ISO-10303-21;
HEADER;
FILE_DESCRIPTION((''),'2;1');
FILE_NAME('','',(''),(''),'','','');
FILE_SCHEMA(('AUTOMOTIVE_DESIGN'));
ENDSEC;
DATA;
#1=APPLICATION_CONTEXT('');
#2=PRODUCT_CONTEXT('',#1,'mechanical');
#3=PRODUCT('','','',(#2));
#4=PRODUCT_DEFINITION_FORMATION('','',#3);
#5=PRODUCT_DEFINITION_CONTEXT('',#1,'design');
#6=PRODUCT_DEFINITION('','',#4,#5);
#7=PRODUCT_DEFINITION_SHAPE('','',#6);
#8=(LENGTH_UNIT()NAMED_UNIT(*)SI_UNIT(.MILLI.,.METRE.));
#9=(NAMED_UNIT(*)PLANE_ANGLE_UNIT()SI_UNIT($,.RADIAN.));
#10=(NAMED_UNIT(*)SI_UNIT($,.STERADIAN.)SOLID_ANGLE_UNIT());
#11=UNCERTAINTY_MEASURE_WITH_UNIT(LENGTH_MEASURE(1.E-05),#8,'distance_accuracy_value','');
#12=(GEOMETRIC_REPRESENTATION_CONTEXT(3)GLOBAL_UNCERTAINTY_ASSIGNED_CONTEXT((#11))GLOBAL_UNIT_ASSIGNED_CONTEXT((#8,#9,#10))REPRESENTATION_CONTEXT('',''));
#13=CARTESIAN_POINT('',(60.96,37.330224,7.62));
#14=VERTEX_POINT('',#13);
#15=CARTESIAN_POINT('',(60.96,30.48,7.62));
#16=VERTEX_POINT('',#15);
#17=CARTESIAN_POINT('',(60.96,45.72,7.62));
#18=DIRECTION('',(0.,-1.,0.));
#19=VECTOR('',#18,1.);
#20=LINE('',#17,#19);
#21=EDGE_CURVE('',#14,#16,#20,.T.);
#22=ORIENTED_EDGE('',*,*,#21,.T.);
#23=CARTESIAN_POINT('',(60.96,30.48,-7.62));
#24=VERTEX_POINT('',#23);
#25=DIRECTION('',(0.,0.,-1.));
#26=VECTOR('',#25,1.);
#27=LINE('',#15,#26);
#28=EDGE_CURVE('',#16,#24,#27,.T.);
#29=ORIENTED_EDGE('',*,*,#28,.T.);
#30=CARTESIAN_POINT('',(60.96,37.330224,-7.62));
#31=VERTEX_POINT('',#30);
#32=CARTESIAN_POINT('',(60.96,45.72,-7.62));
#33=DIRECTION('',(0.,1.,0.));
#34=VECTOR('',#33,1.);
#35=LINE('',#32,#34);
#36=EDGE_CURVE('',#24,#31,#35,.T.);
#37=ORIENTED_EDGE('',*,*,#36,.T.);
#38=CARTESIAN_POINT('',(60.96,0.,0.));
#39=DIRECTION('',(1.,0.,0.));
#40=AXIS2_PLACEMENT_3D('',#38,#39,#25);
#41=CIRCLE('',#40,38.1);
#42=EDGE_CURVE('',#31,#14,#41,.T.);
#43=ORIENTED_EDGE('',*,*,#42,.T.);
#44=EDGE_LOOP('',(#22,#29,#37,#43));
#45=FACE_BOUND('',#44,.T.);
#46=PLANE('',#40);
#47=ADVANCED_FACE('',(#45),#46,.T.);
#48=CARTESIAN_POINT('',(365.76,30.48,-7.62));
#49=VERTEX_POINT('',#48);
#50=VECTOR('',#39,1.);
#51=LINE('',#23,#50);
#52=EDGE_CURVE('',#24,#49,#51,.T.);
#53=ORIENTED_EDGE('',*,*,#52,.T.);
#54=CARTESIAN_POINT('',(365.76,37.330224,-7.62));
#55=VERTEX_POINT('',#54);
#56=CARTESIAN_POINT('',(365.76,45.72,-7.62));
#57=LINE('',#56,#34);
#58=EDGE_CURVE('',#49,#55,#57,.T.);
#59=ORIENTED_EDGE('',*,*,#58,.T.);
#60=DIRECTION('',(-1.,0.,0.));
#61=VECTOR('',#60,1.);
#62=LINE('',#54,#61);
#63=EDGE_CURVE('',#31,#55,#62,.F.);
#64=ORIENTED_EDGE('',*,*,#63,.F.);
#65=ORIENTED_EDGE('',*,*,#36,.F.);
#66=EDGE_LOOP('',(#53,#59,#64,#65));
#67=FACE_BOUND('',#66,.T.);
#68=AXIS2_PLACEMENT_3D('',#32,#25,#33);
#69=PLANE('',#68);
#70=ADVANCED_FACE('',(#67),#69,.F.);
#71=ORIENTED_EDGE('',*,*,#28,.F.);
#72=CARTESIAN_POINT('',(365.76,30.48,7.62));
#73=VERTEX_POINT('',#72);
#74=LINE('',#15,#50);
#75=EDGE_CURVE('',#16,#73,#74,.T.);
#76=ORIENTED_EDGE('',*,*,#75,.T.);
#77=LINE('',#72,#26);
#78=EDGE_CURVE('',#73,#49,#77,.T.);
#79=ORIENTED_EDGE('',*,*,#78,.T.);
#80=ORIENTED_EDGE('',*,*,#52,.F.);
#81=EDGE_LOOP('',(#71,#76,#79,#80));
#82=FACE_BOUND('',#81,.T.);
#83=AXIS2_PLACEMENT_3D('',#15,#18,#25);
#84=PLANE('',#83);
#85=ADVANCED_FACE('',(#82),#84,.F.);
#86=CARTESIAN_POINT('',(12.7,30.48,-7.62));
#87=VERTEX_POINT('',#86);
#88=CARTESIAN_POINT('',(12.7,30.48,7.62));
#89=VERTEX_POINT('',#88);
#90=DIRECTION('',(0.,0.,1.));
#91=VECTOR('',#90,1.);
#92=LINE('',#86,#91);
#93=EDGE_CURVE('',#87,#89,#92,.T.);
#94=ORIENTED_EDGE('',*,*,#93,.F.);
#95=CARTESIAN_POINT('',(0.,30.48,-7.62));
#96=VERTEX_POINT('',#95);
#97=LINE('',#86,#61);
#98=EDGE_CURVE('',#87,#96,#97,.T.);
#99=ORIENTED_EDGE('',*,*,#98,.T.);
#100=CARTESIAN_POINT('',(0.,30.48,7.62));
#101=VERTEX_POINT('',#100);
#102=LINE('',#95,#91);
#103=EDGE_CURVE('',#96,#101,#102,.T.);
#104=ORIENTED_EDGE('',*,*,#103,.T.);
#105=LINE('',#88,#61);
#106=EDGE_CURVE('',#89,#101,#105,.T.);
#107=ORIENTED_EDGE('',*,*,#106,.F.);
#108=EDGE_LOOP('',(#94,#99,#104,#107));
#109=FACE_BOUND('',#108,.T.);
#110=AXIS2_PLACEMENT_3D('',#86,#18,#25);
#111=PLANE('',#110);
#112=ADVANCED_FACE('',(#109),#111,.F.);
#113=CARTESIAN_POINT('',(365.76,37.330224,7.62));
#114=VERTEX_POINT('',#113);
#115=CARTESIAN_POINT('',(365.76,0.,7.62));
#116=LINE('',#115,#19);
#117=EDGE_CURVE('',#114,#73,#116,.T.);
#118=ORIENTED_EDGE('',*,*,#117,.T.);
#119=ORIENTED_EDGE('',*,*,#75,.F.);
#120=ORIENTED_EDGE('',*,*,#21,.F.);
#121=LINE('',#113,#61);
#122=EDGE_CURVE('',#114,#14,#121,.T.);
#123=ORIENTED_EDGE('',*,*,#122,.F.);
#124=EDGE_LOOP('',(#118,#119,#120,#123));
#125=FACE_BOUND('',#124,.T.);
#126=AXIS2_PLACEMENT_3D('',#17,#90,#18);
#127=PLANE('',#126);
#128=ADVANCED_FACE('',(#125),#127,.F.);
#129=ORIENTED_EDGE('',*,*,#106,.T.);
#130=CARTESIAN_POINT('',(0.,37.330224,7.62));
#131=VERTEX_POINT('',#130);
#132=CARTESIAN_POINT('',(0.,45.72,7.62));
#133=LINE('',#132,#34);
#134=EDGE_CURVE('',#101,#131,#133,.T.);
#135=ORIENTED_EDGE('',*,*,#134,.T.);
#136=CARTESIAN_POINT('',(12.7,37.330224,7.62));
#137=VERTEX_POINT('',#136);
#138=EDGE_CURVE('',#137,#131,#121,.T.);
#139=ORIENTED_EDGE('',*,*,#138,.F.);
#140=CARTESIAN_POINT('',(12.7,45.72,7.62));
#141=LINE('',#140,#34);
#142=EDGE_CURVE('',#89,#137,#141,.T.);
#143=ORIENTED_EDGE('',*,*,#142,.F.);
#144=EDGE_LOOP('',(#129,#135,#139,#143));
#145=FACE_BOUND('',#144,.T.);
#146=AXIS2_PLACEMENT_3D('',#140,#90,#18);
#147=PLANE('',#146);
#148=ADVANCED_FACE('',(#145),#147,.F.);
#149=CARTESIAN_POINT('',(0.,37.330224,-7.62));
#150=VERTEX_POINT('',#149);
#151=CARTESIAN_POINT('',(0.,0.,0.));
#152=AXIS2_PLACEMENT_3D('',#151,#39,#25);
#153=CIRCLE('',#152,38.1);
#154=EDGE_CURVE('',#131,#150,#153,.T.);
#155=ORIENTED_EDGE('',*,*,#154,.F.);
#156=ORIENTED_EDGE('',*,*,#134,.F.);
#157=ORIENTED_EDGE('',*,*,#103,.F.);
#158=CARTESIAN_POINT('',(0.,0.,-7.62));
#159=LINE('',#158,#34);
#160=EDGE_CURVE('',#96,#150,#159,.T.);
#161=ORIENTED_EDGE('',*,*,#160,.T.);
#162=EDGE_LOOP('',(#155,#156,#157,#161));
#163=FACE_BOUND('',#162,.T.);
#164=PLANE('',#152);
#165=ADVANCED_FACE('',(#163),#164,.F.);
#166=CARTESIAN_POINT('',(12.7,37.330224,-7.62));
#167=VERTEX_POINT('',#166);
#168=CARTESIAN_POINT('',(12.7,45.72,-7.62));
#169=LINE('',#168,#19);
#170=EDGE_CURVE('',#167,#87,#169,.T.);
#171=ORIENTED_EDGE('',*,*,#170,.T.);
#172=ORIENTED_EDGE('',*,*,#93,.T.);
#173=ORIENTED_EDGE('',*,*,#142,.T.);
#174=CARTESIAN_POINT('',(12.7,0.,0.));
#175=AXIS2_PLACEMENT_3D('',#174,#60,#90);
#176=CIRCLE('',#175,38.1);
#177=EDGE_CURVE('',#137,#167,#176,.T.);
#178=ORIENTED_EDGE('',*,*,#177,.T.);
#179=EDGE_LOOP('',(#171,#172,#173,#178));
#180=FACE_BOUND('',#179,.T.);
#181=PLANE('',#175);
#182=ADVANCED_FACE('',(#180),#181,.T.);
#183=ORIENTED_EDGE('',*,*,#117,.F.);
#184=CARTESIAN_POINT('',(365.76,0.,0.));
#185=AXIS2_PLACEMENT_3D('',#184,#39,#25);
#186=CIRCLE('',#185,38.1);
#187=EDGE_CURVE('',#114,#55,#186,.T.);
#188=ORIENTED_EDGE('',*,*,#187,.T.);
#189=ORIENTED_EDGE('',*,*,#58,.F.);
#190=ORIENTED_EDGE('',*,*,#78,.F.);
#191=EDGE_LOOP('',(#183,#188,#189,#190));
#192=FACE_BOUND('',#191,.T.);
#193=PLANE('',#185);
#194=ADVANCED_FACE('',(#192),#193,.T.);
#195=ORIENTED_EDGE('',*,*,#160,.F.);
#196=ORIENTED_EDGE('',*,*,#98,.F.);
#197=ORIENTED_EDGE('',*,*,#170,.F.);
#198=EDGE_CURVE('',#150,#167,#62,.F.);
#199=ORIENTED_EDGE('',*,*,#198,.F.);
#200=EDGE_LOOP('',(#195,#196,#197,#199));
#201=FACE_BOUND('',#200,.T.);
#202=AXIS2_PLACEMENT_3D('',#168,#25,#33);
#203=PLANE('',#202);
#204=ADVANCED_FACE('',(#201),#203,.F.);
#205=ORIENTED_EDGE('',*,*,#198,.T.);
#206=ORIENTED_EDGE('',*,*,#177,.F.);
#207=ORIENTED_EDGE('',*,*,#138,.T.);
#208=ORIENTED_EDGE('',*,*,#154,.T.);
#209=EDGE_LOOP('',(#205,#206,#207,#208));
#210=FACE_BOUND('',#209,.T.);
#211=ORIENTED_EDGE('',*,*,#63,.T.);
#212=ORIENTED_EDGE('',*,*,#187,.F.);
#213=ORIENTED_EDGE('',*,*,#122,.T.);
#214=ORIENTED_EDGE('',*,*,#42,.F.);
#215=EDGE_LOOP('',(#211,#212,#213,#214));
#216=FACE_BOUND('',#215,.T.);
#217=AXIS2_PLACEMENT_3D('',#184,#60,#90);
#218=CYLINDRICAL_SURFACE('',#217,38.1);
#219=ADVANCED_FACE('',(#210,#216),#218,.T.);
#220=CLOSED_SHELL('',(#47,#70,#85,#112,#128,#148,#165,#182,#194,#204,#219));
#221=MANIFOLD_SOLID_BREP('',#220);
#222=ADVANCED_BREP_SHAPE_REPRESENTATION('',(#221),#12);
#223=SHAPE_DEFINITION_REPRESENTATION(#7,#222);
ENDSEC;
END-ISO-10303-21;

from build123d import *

# Parameters (mm, degrees)
SKETCH1_R           = 38.1
BOSS_EXTRUDE1_DEPTH = 365.76
SKETCH2_W           = 15.24
SKETCH2_H           = 15.24
CUT_EXTRUDE1_DEPTH  = 304.8
SKETCH3_W           = 15.24
SKETCH3_H           = 15.24
CUT_EXTRUDE2_DEPTH  = 12.7


with BuildPart() as part:
    # Sketch1 → Boss-Extrude1 (new body)
    with BuildSketch(Plane(origin=(0, 0, 0), x_dir=(0, 0, -1), z_dir=(1, 0, 0))):
        Circle(SKETCH1_R)
    extrude(amount=BOSS_EXTRUDE1_DEPTH)

    # Sketch2 → Cut-Extrude1 (cut)
    with BuildSketch(Plane(origin=(365.76, 0, 0), x_dir=(0, 0, -1), z_dir=(1, 0, 0))):
        with Locations((0, 38.1)):
            Rectangle(SKETCH2_W, SKETCH2_H)
    extrude(amount=-CUT_EXTRUDE1_DEPTH, mode=Mode.SUBTRACT)

    # Sketch3 → Cut-Extrude2 (cut)
    with BuildSketch(Plane.ZY):
        with Locations((0, 38.1)):
            Rectangle(SKETCH3_W, SKETCH3_H)
    extrude(amount=-CUT_EXTRUDE2_DEPTH, mode=Mode.SUBTRACT)


solid = part.part
